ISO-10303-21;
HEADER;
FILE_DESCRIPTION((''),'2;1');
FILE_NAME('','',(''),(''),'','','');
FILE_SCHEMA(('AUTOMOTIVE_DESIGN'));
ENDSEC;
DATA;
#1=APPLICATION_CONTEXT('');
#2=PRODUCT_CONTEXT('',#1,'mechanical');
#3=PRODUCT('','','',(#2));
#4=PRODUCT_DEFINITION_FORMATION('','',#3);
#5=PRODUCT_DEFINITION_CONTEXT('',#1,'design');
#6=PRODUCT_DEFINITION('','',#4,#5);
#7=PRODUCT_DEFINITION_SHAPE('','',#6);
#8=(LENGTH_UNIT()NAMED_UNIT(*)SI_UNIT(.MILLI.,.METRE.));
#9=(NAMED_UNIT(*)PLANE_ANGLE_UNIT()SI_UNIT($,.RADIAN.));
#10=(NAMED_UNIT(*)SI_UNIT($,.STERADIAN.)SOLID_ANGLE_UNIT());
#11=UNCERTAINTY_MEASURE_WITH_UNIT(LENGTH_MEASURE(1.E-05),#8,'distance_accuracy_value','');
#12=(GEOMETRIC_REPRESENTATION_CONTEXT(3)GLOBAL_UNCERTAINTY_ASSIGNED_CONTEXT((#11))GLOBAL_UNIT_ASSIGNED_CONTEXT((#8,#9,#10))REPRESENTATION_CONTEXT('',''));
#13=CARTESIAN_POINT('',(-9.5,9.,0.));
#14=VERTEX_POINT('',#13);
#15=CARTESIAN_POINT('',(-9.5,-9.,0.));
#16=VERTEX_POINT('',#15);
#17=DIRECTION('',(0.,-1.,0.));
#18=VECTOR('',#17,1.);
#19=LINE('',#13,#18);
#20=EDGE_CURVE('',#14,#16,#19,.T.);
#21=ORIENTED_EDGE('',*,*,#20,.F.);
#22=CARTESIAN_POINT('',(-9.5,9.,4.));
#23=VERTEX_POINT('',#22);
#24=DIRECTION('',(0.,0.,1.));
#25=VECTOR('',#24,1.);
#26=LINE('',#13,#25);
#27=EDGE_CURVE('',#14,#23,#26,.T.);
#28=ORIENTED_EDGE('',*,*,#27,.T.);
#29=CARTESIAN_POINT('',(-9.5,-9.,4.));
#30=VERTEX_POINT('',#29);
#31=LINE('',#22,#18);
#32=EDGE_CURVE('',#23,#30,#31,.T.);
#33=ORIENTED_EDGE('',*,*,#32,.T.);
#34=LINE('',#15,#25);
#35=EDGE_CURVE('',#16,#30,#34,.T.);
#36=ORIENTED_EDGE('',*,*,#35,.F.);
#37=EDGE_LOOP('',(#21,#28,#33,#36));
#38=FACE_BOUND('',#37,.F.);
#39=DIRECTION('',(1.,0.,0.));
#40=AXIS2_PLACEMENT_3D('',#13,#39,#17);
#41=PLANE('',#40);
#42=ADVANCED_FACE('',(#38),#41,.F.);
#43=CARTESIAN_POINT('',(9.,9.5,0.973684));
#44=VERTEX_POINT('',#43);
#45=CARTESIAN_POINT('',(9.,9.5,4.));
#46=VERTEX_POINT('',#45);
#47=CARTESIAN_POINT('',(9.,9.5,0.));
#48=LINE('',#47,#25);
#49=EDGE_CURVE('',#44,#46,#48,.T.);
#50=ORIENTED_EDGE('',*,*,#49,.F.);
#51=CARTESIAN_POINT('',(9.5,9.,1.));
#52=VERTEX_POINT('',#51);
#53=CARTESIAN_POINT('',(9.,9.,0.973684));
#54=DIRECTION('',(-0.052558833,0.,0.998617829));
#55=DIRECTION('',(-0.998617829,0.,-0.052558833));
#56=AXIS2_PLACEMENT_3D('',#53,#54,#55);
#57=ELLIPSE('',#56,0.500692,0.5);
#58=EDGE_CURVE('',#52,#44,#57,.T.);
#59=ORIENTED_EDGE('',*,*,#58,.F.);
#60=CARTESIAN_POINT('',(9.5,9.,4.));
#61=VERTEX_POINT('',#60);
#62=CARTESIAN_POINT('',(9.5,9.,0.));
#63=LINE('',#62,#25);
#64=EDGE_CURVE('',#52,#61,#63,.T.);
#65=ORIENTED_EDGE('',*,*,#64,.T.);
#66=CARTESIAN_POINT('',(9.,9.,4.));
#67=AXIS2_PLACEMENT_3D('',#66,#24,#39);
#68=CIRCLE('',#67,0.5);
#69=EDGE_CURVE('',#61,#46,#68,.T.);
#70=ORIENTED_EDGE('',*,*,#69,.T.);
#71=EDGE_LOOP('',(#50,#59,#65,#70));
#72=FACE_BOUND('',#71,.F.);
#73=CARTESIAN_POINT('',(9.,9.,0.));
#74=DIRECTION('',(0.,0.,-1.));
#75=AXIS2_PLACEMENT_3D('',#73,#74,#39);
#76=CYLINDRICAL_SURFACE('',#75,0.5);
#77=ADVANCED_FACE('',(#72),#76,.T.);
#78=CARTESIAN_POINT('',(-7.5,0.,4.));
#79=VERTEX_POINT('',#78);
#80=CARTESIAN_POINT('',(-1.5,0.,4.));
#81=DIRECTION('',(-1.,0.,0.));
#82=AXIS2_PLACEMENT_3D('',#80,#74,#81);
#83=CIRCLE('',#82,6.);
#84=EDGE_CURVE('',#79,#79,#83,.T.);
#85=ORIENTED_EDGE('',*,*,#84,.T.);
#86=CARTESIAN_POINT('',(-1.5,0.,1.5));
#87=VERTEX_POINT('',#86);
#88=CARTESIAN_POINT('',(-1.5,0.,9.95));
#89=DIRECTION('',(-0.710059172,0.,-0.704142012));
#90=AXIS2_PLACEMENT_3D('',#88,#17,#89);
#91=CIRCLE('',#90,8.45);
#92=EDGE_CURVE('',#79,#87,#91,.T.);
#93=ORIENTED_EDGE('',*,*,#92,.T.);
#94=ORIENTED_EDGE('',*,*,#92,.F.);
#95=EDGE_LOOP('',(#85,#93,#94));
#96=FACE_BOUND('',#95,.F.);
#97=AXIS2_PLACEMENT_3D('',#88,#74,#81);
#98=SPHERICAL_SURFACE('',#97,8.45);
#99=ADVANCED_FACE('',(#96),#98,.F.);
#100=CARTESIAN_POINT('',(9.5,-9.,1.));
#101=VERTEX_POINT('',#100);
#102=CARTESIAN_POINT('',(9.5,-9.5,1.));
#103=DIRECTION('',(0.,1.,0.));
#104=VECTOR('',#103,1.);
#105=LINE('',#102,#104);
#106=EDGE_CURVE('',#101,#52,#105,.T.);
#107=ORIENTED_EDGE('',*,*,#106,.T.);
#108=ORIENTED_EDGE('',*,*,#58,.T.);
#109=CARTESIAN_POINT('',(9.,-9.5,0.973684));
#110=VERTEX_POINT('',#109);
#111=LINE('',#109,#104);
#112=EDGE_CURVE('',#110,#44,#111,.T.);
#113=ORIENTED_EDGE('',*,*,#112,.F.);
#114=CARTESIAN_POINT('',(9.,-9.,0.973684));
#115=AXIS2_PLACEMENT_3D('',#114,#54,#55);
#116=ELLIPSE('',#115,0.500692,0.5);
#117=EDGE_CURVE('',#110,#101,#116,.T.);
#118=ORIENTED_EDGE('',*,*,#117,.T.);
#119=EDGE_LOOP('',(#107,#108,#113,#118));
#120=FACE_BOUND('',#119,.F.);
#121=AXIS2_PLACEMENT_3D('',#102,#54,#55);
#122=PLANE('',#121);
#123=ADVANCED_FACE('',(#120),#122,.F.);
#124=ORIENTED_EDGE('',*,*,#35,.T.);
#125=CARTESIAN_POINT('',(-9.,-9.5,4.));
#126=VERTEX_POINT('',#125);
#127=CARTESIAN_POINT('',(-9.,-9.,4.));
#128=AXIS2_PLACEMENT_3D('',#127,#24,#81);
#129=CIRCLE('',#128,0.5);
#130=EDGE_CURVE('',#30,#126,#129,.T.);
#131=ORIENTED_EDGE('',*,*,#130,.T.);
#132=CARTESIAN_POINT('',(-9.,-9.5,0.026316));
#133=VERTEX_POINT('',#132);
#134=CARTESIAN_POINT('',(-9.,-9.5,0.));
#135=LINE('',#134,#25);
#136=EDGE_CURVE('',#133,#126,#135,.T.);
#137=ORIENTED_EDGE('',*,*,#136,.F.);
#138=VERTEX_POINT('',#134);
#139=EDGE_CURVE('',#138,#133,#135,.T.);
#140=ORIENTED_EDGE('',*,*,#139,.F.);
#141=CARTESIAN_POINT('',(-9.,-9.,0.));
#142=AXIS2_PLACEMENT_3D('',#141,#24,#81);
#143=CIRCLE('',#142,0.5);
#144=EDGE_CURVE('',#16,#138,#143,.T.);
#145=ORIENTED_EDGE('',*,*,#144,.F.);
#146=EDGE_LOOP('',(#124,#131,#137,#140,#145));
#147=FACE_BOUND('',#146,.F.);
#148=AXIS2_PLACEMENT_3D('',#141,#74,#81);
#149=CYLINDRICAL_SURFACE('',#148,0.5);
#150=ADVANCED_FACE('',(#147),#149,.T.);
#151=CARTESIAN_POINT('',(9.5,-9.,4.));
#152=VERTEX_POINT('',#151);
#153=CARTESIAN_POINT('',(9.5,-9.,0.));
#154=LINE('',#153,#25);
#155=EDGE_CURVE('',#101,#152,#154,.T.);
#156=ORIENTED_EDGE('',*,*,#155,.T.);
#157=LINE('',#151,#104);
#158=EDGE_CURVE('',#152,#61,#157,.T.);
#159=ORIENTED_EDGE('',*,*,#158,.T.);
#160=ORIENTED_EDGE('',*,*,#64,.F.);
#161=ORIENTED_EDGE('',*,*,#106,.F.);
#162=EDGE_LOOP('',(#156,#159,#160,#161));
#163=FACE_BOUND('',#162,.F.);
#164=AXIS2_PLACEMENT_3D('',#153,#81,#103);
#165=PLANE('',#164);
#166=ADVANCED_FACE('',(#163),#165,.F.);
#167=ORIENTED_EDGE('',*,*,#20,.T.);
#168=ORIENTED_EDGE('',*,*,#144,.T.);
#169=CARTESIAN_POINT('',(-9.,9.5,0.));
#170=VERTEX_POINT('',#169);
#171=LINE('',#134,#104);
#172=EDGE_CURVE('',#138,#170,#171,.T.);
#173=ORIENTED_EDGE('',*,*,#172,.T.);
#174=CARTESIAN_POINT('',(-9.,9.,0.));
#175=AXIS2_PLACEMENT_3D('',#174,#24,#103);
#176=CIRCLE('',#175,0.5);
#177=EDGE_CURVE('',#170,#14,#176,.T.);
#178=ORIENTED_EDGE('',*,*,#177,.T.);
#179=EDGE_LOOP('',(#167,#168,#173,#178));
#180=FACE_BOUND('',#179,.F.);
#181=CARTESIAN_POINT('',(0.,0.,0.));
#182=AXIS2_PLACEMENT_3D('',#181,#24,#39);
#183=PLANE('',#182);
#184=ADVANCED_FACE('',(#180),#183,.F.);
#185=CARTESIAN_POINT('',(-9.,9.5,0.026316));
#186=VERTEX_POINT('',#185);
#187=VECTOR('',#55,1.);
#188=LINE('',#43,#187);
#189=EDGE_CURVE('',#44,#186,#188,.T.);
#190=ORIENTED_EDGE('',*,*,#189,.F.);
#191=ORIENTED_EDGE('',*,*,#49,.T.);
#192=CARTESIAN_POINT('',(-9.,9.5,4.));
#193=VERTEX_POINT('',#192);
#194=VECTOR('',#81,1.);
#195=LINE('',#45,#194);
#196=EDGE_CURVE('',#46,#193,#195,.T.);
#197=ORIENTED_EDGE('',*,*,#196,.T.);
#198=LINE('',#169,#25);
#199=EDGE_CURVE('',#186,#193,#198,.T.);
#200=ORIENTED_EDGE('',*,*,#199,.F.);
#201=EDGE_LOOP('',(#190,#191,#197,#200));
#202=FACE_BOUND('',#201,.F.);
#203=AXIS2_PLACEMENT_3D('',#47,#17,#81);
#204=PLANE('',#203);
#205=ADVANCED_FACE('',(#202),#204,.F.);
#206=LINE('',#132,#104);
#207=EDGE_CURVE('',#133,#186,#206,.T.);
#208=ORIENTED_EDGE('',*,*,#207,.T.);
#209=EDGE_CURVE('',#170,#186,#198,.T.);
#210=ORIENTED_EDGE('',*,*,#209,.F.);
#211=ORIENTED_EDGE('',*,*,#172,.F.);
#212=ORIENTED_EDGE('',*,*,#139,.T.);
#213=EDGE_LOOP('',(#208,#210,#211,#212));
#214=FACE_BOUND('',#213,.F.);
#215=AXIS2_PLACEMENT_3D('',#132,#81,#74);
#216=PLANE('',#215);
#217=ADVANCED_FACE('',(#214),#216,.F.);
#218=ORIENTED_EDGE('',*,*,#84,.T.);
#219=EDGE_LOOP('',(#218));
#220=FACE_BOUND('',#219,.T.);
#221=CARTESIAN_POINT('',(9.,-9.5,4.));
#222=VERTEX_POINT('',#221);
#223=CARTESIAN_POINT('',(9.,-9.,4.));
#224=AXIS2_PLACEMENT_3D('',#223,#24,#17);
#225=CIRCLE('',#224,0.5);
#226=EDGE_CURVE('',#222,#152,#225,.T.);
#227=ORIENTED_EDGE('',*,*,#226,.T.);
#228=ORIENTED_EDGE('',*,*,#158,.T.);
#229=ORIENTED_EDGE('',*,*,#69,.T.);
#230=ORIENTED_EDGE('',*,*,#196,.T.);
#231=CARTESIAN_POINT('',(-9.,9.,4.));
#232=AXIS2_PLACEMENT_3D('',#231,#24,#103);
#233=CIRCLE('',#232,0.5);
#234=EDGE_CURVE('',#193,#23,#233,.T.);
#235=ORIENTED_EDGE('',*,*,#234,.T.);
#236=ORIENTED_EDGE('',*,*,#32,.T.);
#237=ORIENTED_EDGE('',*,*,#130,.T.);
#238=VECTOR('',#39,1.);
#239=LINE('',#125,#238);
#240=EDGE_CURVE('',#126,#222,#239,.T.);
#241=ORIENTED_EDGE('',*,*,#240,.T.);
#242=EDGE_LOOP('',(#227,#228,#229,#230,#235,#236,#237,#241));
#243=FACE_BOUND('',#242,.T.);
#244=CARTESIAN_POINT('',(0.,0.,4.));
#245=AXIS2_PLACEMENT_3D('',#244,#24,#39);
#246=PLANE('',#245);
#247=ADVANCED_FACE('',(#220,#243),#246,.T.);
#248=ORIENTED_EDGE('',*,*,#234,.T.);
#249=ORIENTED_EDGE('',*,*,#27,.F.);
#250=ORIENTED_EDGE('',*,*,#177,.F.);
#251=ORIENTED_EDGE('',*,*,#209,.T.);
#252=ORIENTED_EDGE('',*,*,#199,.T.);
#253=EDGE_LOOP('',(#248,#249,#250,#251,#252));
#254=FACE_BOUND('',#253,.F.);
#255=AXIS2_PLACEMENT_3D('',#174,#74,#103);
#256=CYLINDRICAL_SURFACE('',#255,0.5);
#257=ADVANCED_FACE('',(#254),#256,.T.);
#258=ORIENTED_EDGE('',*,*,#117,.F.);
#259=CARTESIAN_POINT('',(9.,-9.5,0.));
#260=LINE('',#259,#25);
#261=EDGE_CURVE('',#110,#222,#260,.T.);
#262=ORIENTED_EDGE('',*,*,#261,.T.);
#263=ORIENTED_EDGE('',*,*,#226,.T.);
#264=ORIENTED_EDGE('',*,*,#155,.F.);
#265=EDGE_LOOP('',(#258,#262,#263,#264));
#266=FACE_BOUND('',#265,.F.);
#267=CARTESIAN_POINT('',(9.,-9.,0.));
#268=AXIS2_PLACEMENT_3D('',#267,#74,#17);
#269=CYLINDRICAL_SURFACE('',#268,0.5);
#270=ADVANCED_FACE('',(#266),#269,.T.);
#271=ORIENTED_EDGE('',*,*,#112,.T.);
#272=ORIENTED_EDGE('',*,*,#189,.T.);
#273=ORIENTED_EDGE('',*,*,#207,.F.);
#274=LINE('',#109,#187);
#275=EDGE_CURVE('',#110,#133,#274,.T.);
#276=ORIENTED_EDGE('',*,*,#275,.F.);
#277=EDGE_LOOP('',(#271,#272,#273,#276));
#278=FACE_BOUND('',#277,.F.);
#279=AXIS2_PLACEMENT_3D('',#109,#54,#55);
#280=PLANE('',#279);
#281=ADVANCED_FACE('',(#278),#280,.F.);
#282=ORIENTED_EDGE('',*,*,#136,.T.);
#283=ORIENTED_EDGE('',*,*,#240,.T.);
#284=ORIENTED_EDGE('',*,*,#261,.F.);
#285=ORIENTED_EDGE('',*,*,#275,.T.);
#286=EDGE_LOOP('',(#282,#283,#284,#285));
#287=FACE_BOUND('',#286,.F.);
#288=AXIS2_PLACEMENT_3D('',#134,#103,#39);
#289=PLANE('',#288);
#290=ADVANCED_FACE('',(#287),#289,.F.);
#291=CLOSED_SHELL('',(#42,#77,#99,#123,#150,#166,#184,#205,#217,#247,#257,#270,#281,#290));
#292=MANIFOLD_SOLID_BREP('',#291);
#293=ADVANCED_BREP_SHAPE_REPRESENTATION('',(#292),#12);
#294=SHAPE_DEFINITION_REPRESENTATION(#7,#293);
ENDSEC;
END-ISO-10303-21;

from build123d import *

# Parameters (mm, degrees)
F1_DEPTH = 4
F3_DEPTH = 19


with BuildPart() as f1:
    # F0 (on Top) → F1 (new body)
    with BuildSketch(Plane.XY):
        with BuildLine():
            ThreePointArc((9.5, 9), (9.3535533906, 9.3535533906), (9, 9.5))
            Line((9, 9.5), (-9, 9.5))
            ThreePointArc((-9, 9.5), (-9.3535533906, 9.3535533906), (-9.5, 9))
            Line((-9.5, 9), (-9.5, -9))
            ThreePointArc((-9.5, -9), (-9.3535533906, -9.3535533906), (-9, -9.5))
            Line((-9, -9.5), (9, -9.5))
            ThreePointArc((9, -9.5), (9.3535533906, -9.3535533906), (9.5, -9))
            Line((9.5, -9), (9.5, 9))
        make_face()
    extrude(amount=F1_DEPTH)

    # F2 (on face) → F3 (cut, through all)
    with BuildSketch(Plane.XZ.offset(9.5)):
        Polygon((9, 0.9736842105), (-9, 0.0263157895), (-9, 0), (9, 0), align=None)
        Polygon((9.5, 1), (9, 0.9736842105), (9, 0), (9.5, 0), align=None)
    extrude(amount=-F3_DEPTH, mode=Mode.SUBTRACT)

    # F4 (on Front) → F5 (revolve, cut)
    with BuildSketch(Plane.XZ):
        with BuildLine():
            Line((-1.5, 4), (-7.5, 4))
            ThreePointArc((-7.5, 4), (-4.75, 2.15), (-1.5, 1.5))
            Line((-1.5, 1.5), (-1.5, 4))
        make_face()
    revolve(axis=Axis((-1.5, 0, 2.3585720337), (0, 0, -1)), mode=Mode.SUBTRACT)


solid = f1.part
